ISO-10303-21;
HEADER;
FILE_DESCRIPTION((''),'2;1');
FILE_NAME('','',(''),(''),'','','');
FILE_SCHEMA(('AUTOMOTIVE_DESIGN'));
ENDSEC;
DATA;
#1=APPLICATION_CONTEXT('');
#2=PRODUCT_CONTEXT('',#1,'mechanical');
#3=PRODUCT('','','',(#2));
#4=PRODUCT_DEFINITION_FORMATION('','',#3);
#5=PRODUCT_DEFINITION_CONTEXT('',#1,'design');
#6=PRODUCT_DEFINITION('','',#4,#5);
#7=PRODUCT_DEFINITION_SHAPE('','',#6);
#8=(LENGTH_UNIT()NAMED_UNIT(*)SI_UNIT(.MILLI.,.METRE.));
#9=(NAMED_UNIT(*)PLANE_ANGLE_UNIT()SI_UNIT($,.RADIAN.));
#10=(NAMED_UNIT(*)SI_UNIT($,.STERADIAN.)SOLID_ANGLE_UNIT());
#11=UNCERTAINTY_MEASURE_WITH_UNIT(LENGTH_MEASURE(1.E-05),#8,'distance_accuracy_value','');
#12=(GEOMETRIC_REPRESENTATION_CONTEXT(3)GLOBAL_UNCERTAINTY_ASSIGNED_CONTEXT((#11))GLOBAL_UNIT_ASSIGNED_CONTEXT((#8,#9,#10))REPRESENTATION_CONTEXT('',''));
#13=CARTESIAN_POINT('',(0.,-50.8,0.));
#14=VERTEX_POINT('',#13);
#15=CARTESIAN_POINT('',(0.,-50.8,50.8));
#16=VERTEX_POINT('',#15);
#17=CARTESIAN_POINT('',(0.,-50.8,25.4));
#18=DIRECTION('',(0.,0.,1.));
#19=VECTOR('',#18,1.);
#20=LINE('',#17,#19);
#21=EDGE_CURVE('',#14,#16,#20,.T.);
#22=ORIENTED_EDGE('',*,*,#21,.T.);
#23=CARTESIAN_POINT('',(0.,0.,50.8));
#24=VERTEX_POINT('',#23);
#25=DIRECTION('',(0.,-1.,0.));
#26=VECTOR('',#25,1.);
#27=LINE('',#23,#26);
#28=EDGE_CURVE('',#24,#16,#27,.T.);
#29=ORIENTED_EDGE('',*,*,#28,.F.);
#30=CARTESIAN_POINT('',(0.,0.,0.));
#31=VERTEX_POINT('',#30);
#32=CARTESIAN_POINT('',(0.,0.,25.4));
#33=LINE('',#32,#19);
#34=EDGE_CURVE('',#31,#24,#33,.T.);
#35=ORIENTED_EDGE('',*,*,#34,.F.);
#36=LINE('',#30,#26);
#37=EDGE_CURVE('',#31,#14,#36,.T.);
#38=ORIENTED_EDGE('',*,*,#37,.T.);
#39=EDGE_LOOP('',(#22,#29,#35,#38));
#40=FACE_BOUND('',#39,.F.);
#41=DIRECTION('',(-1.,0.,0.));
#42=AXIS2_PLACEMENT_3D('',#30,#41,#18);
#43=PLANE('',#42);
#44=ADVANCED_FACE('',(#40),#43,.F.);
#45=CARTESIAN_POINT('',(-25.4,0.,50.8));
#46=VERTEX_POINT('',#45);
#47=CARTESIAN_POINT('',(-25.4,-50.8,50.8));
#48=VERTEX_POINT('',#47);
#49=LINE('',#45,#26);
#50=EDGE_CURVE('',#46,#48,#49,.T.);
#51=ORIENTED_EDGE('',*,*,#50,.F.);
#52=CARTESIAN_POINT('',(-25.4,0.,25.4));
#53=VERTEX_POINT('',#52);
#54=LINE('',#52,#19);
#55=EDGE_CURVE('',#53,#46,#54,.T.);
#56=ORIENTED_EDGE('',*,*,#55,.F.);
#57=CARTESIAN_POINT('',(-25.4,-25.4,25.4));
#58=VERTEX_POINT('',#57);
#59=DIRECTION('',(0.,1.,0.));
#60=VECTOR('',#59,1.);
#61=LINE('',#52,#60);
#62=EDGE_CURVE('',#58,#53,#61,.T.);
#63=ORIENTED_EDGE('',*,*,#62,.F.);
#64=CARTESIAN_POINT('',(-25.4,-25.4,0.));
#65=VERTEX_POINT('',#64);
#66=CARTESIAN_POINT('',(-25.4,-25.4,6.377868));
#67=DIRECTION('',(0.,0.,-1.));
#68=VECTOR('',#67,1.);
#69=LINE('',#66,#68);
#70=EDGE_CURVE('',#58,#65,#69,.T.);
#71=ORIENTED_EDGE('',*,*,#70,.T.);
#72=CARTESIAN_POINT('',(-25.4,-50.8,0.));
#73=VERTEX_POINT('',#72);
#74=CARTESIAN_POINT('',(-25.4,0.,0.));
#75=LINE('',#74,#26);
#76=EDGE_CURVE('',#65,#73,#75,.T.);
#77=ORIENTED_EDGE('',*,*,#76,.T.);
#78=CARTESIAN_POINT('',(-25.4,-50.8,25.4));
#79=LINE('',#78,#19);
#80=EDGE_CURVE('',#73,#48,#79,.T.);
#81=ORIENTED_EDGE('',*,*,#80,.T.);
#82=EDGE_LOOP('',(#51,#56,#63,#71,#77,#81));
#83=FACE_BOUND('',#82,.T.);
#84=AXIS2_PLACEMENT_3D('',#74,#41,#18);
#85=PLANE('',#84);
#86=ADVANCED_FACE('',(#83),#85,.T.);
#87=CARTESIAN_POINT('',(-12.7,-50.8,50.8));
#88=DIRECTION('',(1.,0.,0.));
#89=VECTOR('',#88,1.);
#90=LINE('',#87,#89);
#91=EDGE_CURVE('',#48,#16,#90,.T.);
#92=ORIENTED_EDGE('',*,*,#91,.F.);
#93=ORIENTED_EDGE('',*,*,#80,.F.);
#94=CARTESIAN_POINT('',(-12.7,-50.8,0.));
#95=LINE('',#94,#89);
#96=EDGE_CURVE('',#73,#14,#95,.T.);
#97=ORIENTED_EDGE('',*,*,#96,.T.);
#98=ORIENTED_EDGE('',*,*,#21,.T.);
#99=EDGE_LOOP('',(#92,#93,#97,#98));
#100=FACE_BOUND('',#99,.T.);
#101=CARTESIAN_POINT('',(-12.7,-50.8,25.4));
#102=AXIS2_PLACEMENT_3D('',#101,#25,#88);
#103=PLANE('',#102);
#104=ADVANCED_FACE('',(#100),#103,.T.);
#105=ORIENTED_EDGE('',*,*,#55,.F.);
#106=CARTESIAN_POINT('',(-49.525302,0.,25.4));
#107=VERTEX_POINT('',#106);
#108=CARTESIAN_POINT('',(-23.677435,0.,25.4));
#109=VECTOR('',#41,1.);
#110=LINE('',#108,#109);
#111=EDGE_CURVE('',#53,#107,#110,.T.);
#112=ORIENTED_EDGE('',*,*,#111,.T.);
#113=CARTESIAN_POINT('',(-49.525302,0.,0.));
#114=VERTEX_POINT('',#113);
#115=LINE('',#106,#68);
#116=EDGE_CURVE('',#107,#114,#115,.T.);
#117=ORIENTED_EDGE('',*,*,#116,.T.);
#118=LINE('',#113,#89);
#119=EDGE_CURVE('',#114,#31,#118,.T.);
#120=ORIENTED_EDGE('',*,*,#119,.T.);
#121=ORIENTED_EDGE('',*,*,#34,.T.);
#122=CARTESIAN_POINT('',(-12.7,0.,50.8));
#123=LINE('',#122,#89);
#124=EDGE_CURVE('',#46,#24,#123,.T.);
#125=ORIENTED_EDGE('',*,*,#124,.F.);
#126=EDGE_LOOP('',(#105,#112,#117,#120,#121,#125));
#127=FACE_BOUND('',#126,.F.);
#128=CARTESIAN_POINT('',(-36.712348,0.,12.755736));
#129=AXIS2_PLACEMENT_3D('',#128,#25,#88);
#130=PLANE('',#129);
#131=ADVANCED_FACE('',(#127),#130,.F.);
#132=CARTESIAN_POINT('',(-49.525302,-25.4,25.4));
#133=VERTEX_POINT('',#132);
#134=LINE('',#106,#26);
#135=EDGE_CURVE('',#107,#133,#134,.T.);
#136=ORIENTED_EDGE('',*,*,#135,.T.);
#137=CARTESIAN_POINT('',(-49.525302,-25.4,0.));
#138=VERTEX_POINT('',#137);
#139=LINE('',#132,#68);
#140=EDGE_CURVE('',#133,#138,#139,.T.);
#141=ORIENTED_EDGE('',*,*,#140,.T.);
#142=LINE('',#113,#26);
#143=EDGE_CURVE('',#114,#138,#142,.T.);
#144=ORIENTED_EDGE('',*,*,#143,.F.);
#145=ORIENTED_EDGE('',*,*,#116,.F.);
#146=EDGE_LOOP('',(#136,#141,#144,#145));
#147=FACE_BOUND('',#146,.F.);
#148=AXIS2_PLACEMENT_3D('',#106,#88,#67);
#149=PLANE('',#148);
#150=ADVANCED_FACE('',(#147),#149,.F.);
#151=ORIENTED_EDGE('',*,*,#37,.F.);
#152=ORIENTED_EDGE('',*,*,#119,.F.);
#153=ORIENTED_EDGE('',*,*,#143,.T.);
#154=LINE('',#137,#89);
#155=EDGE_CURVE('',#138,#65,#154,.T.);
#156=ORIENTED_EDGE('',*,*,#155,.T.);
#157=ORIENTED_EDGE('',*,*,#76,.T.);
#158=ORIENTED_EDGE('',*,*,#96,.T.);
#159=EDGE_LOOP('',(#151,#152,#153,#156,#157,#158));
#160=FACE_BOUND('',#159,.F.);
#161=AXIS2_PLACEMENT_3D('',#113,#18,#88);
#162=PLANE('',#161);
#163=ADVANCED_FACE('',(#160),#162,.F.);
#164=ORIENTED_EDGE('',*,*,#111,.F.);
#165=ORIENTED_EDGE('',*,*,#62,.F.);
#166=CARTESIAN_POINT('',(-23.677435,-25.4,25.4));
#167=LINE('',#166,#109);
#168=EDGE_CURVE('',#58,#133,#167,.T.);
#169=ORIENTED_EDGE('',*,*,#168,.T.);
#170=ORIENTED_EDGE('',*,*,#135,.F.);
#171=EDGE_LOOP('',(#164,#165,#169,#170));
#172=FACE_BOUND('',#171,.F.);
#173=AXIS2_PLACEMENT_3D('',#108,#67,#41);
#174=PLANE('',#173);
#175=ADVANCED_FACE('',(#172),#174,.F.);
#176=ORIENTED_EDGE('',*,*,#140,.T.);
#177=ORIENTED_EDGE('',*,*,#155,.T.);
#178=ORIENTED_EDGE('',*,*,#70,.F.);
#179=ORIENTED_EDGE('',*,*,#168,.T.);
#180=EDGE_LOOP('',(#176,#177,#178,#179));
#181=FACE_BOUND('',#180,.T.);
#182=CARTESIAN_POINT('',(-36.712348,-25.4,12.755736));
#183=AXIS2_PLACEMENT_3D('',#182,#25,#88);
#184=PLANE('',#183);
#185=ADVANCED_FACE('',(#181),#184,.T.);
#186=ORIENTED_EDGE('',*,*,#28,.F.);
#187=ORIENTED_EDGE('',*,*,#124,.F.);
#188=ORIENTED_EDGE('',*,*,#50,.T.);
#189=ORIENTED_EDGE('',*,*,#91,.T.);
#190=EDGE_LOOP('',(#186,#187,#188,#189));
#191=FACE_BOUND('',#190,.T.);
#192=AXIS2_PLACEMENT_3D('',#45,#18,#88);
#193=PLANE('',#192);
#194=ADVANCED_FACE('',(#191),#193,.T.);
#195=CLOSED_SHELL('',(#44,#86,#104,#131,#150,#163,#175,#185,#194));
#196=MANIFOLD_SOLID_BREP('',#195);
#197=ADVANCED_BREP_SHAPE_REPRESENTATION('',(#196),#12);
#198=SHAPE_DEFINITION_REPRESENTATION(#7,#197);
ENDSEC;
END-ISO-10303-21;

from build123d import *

# Parameters (mm, degrees)
F1_W     = 25.4
F1_H     = 25.4
F2_DEPTH = 25.4
F0_W     = 25.4
F0_H     = 50.8
F3_DEPTH = 50.8
F7_DEPTH = 25.4
F5_W     = 25.4
F5_H     = 50.8
F8_DEPTH = 50.8


with BuildPart() as f2:
    # F1 (on Right) → F2 (new body)
    with BuildSketch(Plane.YZ):
        with Locations((-12.7, 15.4623677161)):
            Rectangle(F1_W, F1_H)
    extrude(amount=F2_DEPTH)


with BuildPart() as f3:
    # F0 (on Front) → F3 (new body)
    with BuildSketch(Plane.XZ):
        with Locations((-18.8699130297, 27.4796054423)):
            Rectangle(F0_W, F0_H)
    extrude(amount=F3_DEPTH)


with BuildPart() as f7:
    # F6 (on Front) → F7 (new body)
    with BuildSketch(Plane.XZ):
        Polygon((-49.5253019035, 0), (-24.1253019035, 0), (-23.6774347723, 25.4), (-49.5253019035, 25.4), align=None)
    extrude(amount=F7_DEPTH)

    # F5 (on Front) → F8 (join)
    with BuildSketch(Plane.XZ):
        with Locations((-12.7, 25.4)):
            Rectangle(F5_W, F5_H)
    extrude(amount=F8_DEPTH)


solid = f7.part
